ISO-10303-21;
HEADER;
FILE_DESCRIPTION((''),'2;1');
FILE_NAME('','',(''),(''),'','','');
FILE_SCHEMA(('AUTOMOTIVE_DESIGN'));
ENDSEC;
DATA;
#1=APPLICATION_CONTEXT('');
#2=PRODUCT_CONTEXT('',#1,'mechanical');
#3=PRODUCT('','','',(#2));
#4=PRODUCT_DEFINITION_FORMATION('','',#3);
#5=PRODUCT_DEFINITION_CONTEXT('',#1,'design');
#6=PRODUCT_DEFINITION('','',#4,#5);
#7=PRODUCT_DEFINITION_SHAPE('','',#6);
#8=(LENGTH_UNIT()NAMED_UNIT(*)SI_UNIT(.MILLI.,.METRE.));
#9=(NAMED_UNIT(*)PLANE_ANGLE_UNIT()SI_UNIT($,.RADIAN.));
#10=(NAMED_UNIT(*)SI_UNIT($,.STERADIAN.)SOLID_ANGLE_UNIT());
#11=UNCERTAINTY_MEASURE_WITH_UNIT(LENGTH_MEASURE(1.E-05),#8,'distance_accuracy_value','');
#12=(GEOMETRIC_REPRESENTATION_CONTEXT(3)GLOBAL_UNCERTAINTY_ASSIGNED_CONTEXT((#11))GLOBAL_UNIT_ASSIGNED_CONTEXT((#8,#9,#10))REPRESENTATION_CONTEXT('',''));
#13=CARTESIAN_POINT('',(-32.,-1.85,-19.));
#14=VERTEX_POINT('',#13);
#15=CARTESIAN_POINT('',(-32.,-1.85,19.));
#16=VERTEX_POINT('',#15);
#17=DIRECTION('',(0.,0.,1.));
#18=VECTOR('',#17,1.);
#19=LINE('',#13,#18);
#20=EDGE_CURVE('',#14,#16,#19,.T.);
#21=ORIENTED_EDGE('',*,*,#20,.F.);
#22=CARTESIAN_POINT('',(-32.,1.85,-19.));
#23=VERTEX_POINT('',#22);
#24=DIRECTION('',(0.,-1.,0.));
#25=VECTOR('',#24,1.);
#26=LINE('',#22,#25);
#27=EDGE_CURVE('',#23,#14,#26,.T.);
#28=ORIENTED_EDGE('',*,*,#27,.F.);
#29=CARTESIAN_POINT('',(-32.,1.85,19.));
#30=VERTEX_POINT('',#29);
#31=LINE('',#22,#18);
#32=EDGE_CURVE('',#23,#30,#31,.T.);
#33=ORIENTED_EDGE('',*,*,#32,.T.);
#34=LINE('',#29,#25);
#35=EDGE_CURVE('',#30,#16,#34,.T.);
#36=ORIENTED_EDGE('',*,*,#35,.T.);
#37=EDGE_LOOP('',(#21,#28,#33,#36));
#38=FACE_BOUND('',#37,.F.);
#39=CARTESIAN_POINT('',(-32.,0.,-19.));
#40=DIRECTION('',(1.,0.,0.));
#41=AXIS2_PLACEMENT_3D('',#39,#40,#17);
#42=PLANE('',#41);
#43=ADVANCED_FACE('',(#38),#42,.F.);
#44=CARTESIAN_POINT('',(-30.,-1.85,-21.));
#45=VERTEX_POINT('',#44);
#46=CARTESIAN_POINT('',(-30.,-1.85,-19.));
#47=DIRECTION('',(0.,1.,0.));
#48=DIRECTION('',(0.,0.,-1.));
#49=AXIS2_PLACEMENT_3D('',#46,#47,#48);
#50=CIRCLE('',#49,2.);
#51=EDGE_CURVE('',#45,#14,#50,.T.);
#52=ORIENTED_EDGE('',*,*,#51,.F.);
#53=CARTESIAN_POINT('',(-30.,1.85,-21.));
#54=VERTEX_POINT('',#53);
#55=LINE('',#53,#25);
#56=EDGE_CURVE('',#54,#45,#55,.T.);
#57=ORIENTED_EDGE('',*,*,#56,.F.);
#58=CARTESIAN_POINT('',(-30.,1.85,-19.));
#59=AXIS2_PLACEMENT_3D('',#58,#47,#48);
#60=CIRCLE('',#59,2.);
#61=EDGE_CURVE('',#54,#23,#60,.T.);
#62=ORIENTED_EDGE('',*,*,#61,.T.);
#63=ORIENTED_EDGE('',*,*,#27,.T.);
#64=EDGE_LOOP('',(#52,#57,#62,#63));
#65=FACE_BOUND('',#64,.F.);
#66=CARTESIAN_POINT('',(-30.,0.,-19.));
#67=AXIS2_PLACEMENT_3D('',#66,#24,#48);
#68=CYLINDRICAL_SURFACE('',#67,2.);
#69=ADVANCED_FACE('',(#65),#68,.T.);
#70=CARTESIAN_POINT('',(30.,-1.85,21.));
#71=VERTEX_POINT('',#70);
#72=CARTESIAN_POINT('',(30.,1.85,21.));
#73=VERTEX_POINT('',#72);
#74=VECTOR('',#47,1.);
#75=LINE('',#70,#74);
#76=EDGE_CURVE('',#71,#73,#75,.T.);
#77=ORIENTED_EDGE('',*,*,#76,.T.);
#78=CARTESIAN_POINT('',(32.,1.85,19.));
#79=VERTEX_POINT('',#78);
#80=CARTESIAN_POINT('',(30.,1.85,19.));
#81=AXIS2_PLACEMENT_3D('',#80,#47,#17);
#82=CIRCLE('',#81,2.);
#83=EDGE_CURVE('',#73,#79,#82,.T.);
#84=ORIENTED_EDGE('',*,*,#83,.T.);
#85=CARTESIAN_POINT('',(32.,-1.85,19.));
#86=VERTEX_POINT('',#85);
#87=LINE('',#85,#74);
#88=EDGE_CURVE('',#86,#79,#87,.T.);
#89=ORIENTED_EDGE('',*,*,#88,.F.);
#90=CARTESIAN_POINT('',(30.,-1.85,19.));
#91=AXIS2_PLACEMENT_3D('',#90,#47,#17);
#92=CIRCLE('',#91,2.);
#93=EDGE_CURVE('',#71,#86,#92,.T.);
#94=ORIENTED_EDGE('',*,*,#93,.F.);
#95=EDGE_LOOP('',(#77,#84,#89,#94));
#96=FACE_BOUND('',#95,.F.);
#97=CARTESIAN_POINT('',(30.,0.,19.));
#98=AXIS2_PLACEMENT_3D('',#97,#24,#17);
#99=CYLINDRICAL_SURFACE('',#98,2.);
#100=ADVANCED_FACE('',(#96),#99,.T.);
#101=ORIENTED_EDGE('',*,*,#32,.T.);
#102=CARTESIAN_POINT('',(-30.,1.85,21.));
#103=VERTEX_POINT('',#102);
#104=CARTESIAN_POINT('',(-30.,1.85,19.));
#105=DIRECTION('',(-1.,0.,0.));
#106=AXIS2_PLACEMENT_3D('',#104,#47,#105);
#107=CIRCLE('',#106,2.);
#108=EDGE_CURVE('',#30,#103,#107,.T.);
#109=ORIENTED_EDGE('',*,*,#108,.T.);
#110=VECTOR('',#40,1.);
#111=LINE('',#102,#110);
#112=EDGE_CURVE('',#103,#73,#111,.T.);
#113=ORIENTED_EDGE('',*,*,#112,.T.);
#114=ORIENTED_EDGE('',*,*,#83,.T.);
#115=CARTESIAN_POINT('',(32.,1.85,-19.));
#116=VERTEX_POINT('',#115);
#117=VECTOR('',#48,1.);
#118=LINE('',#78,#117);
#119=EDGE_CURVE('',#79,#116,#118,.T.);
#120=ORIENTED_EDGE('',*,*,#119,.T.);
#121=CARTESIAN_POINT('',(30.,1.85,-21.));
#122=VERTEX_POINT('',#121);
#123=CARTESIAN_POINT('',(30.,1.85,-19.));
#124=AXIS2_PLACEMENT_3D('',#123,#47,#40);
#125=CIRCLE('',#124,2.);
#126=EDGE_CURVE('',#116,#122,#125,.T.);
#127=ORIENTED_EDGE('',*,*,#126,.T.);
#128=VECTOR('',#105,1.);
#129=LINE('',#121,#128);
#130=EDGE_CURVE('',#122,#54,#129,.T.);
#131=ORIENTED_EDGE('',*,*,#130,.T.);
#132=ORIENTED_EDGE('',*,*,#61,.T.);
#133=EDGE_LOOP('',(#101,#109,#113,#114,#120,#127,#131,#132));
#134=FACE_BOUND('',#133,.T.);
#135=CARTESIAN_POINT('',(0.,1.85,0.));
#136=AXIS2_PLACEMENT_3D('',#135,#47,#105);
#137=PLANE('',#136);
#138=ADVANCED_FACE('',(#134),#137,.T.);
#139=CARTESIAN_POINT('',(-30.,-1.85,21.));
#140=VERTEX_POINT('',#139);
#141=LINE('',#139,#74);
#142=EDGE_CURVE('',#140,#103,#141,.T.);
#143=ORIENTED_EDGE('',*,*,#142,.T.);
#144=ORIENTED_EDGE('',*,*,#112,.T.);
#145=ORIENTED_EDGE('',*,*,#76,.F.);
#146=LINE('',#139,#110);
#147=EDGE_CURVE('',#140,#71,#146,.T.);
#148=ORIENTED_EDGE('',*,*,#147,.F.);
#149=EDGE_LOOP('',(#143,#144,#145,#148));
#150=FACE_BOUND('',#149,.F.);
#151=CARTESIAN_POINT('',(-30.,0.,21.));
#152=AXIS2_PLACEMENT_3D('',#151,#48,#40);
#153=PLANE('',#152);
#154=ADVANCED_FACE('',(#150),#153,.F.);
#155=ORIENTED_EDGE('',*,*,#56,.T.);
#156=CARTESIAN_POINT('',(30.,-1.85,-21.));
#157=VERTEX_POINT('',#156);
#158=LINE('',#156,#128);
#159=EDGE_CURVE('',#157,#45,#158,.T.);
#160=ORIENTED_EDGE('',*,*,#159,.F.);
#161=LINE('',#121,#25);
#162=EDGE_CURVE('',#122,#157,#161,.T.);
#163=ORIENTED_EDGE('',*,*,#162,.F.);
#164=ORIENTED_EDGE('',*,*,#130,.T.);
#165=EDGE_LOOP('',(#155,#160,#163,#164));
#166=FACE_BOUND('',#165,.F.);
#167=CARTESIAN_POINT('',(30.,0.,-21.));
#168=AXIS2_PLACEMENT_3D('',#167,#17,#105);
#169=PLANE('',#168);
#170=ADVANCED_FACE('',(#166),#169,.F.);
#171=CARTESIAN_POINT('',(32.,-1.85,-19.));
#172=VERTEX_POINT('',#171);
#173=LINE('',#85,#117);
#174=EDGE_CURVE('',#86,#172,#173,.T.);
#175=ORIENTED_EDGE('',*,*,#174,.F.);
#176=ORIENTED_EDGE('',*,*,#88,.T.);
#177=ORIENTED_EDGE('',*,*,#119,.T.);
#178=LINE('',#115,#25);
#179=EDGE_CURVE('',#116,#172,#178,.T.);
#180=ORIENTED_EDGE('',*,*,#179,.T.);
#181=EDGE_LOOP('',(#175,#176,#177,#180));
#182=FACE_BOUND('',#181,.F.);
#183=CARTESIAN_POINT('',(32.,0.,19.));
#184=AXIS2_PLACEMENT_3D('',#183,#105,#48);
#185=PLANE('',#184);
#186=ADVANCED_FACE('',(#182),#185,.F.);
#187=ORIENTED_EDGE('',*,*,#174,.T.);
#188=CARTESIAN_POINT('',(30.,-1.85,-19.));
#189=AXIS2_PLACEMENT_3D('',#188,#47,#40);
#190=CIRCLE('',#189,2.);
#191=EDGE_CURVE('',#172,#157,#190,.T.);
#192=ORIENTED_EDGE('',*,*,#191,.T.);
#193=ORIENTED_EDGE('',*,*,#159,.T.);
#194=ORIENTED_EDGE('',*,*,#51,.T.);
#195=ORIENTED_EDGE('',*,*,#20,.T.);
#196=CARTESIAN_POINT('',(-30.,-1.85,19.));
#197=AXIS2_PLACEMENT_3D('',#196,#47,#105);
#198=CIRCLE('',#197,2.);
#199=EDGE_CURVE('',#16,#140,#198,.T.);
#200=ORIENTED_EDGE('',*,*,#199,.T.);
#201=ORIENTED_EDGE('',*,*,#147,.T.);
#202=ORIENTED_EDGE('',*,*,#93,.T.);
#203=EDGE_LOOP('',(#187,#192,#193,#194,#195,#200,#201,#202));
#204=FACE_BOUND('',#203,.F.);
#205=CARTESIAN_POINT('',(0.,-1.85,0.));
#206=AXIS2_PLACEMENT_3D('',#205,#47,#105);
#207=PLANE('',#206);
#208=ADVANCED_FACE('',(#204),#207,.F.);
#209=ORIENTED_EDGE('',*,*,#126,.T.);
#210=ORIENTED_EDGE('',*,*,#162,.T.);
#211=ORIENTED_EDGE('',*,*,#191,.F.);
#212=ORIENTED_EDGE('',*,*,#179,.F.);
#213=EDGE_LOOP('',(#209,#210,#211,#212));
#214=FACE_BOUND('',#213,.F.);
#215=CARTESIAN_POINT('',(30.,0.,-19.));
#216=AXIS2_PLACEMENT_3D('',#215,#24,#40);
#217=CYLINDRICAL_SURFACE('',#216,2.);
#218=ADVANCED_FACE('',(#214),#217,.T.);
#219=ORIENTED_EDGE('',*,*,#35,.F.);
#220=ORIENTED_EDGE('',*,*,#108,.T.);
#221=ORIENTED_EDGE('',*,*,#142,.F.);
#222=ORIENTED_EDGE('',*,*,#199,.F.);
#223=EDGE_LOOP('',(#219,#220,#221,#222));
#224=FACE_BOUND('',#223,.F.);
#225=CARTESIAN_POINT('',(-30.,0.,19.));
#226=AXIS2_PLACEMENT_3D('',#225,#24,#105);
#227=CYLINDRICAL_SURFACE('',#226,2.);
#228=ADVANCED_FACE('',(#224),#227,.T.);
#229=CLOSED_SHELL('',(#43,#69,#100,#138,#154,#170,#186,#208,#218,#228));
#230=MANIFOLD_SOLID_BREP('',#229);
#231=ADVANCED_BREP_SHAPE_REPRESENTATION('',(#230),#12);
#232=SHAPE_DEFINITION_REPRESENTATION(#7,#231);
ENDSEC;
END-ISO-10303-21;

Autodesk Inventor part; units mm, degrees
ref_plane "YZ Plane" through (0, 0, 0) normal (1, 0, 0) x (0, 1, 0)
ref_plane "XZ Plane" through (0, 0, 0) normal (0, 1, 0) x (-1, 0, 0)
ref_plane "XY Plane" through (0, 0, 0) normal (0, 0, 1) x (1, 0, 0)
sketch "Sketch1" plane through (0, 0, 0) normal (0, 1, 0) x (-1, 0, 0)
  line L0 (30, 21) -> (-30, 21)
  line L1 (-32, 19) -> (-32, -19)
  line L2 (-30, -21) -> (30, -21)
  line L3 (32, -19) -> (32, 19)
  line L4 (32, 21) -> (-32, -21) construction
  line L5 (-32, 21) -> (32, -21) construction
  arc A0 (30, -21) -> (32, -19) centre (30, -19) ccw
  arc A1 (32, 19) -> (30, 21) centre (30, 19) ccw
  arc A2 (-30, 21) -> (-32, 19) centre (-30, 19) ccw
  arc A3 (-32, -19) -> (-30, -21) centre (-30, -19) ccw
  point P0 (0, 0)
  dimension "d0" = 64
  dimension "d1" = 42
  dimension "d2" = 2
extrude "Extrusion1" add sketch "Sketch1" along normal mid plane 3.7
equation "\"d0\" = CardLength"
equation "\"d1\" = CardWidth"
equation "\"d3\" = CardHeight"
equation "\"CardWidth\" = 42"
equation "\"CardLength\" = 64"
equation "\"CardHeight\" = 3.7"
properties part number "FactionCards_All" material "Paper"
